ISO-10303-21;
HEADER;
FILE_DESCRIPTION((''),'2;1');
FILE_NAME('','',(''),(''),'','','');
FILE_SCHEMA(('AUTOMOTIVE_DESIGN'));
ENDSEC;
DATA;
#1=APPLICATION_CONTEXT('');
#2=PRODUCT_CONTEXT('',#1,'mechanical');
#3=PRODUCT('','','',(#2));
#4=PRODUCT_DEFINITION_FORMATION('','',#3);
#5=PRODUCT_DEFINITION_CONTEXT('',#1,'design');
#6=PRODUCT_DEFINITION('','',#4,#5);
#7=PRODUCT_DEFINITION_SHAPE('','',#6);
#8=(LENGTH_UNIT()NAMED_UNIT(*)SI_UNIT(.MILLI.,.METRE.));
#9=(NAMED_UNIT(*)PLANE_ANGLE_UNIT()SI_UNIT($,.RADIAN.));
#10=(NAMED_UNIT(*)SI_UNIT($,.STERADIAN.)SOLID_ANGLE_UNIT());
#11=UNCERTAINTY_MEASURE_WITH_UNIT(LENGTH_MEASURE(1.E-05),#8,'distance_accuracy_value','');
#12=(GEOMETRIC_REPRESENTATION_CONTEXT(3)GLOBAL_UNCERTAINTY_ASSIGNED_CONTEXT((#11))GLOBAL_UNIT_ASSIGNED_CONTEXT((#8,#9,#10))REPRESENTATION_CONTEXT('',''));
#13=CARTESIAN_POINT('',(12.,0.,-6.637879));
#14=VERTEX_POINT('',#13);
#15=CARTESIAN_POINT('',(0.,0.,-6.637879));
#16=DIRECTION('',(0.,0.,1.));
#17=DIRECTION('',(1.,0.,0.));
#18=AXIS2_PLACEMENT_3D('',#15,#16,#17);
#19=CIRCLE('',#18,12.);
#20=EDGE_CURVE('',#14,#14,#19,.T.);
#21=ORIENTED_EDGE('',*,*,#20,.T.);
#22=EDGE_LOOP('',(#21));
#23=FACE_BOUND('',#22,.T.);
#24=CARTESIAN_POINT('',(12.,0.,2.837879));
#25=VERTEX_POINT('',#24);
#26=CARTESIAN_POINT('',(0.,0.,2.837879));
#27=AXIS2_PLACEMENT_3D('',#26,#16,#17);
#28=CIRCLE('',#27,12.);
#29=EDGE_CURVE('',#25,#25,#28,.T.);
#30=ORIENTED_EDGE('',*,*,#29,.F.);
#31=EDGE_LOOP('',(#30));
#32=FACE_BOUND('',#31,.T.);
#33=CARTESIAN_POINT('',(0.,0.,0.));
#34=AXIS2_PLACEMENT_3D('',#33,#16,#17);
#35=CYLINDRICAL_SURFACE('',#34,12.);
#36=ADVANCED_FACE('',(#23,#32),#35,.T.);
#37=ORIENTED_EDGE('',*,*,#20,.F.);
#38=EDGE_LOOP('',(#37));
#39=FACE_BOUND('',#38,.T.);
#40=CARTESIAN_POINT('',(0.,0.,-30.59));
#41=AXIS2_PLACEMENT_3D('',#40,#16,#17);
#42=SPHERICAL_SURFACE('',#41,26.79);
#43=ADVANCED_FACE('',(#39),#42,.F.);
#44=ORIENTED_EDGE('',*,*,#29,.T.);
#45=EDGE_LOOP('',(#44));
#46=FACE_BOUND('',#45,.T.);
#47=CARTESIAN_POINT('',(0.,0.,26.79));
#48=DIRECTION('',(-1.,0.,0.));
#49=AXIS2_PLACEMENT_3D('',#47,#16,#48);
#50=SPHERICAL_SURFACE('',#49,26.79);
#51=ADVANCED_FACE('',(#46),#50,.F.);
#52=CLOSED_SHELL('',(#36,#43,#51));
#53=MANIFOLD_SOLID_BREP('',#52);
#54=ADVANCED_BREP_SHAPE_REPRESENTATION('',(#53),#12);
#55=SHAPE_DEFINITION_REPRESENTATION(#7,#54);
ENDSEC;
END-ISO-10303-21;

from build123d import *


with BuildPart() as part:
    # 草图1 → 旋转1 (revolve)
    with BuildSketch(Plane(origin=(0, 0, 0), x_dir=(1, 0, 0), z_dir=(0, 1, 0)), mode=Mode.PRIVATE) as revolve_1_sk:
        with BuildLine():
            Line((0, 0), (0, 3.8))
            ThreePointArc((0, 3.8), (-6.165499924, 4.519121406), (-12, 6.637879008))
            Line((-12, 6.637879008), (-12, -2.837879008))
            ThreePointArc((-12, -2.837879008), (-6.165499924, -0.719121406), (0, 0))
        make_face()
    revolve(revolve_1_sk.sketch.rotate(Axis((0, 0, 0), (0, 0, -1)), 180), axis=Axis((0, 0, 0), (0, 0, -1)))


solid = part.part
